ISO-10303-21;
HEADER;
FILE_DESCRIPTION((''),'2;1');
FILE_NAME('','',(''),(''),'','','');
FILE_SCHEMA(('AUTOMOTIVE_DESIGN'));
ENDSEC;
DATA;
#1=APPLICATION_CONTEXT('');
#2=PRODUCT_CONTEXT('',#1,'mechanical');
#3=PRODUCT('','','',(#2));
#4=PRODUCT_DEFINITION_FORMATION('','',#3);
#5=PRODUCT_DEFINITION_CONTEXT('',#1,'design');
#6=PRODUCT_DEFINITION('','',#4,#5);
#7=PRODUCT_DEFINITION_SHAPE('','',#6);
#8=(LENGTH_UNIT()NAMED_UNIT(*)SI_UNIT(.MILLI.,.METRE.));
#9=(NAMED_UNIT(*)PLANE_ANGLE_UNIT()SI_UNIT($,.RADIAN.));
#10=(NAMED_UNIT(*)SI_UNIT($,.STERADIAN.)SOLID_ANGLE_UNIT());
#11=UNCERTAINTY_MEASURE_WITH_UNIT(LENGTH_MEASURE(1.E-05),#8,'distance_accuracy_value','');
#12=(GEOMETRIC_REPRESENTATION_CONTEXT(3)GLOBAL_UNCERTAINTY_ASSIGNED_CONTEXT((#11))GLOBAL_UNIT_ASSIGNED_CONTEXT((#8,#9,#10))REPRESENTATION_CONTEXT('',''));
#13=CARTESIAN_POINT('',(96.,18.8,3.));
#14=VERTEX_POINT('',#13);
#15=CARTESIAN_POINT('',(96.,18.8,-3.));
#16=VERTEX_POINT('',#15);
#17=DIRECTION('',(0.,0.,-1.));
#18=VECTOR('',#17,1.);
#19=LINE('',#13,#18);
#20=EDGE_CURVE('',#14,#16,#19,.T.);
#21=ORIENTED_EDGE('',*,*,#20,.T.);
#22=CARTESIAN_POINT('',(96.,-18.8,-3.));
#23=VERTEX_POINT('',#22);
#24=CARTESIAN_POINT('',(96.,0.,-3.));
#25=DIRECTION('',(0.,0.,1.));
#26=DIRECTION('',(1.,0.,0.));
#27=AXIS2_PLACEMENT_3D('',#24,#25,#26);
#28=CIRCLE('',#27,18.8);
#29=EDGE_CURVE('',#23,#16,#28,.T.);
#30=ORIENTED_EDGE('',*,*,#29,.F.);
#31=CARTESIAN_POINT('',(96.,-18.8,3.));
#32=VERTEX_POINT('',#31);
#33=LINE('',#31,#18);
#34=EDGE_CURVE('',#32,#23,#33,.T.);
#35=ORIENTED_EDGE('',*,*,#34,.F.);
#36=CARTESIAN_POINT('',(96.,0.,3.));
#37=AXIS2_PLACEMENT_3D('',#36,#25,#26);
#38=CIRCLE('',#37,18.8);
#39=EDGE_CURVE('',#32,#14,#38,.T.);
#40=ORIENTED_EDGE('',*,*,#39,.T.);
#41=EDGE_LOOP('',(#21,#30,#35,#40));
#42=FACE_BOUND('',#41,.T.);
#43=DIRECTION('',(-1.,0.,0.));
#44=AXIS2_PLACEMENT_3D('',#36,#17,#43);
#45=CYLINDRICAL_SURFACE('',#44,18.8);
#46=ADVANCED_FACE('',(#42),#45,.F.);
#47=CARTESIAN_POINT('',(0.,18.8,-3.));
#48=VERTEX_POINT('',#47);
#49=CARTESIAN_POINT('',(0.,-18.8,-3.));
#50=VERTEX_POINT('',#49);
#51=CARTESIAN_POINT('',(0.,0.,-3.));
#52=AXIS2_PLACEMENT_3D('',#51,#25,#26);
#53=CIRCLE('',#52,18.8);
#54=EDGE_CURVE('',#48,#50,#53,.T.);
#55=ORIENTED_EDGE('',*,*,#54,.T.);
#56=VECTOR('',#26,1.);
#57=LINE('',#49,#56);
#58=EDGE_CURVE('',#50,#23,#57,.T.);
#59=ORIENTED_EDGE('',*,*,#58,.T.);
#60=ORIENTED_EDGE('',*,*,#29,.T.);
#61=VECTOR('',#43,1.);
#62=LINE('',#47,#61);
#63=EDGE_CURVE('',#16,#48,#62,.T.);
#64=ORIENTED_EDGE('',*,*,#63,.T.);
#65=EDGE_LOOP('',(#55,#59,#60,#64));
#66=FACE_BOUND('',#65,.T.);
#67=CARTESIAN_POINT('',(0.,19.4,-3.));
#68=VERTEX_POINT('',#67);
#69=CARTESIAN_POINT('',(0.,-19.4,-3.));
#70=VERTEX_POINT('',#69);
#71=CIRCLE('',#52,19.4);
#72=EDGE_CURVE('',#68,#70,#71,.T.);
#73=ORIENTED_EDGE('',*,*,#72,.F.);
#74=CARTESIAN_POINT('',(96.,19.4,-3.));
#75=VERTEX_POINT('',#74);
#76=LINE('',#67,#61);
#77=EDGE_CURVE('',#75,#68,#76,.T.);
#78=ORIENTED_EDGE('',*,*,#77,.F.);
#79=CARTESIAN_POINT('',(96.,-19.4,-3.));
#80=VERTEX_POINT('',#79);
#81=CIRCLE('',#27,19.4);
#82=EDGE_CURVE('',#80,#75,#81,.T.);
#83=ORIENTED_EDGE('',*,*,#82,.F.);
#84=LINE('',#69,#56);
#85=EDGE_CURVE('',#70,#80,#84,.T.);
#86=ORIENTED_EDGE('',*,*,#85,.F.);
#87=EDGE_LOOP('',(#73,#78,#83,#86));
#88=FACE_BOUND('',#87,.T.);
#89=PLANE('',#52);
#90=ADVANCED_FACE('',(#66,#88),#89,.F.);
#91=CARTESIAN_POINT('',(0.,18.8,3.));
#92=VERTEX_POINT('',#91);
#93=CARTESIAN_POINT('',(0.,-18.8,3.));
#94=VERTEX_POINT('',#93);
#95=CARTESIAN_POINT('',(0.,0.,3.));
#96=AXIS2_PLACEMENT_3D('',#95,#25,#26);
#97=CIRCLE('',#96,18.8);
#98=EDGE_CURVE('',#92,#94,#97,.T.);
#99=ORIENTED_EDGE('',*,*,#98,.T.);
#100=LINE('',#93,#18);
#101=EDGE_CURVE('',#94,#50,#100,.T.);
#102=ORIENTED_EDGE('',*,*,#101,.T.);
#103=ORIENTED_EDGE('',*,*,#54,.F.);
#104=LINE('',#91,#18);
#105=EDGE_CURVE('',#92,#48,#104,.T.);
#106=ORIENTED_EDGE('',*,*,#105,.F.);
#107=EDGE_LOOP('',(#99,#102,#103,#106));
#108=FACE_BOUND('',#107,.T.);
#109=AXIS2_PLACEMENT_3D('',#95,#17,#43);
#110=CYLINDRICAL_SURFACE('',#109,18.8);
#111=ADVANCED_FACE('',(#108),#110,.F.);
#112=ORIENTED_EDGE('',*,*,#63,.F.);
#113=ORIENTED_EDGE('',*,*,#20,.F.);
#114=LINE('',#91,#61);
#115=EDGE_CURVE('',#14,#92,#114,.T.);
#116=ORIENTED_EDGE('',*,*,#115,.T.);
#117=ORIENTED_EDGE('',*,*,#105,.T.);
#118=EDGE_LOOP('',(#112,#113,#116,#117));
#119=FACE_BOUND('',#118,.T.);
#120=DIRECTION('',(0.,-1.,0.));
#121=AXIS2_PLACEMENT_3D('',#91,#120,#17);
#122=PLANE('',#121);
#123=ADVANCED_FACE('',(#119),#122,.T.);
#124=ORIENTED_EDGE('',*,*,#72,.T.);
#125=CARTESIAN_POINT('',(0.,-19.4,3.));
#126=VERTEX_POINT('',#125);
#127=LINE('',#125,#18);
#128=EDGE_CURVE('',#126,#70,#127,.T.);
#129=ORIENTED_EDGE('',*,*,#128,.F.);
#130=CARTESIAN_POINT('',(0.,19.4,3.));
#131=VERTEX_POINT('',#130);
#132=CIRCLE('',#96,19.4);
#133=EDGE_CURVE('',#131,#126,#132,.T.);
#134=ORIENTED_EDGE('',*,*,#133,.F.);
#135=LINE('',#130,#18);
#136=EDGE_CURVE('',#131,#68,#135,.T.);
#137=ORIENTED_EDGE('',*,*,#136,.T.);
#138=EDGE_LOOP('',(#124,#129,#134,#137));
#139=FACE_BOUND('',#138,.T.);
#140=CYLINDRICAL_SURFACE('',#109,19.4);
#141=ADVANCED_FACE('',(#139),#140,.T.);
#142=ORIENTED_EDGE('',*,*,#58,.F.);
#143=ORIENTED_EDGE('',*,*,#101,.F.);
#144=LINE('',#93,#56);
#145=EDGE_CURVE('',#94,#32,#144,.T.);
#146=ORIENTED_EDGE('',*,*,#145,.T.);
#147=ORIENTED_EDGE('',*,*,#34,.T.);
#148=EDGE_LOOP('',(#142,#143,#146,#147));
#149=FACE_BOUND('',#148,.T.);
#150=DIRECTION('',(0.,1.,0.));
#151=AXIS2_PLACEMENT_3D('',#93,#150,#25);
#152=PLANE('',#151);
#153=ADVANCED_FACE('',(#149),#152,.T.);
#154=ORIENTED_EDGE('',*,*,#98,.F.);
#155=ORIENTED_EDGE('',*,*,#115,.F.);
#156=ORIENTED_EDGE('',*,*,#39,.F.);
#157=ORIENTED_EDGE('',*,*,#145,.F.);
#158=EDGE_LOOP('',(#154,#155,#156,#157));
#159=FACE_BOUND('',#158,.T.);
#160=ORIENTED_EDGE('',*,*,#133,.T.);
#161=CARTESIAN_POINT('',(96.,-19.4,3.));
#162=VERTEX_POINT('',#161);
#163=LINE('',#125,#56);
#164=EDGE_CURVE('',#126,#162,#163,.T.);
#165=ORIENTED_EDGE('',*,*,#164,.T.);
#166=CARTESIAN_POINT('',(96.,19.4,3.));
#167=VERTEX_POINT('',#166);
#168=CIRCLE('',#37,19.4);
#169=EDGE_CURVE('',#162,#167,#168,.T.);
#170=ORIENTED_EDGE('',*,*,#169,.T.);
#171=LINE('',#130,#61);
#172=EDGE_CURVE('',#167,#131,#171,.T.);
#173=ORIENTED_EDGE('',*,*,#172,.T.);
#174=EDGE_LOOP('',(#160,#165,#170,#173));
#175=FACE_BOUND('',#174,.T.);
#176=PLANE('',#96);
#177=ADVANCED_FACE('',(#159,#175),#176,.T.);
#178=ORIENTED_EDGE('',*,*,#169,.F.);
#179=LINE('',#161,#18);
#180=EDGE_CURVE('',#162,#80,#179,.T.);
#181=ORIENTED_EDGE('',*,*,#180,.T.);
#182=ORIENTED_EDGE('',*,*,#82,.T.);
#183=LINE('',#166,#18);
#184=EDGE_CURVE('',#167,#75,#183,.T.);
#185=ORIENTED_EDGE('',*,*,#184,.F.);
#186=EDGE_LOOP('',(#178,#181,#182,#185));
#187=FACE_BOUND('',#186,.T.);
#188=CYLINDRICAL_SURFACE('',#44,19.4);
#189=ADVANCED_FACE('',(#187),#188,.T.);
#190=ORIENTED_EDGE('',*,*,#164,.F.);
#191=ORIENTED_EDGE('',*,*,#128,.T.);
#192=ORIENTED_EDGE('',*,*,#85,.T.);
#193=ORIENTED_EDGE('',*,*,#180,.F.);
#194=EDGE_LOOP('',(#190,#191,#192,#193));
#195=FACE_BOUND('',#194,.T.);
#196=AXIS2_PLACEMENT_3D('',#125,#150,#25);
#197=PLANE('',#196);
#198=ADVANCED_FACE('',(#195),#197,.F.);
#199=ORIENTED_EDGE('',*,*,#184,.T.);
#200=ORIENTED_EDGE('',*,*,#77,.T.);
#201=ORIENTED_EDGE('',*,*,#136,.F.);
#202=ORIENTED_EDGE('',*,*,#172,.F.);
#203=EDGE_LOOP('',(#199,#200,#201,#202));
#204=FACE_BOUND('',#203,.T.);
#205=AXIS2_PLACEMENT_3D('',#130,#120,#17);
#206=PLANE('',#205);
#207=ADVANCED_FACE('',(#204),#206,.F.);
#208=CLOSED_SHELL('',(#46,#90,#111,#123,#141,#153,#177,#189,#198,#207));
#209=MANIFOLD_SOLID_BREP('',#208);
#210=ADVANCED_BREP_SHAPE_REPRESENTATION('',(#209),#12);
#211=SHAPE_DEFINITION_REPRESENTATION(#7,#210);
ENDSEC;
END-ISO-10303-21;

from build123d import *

# Parameters (mm, degrees)
BOSS_EXTRUDE1_DEPTH = 3


with BuildPart() as part:
    # Sketch1 → Boss-Extrude1 (new, symmetric)
    with BuildSketch(Plane.XY):
        with BuildLine():
            Line((0, -19.4), (96, -19.4))
            ThreePointArc((96, -19.4), (115.4, 0), (96, 19.4))
            Line((96, 19.4), (0, 19.4))
            ThreePointArc((0, 19.4), (-19.4, 0), (0, -19.4))
        make_face()
        with BuildLine():
            Line((0, 18.8), (96, 18.8))
            ThreePointArc((96, 18.8), (114.8, 0), (96, -18.8))
            Line((96, -18.8), (0, -18.8))
            ThreePointArc((0, -18.8), (-18.8, 0), (0, 18.8))
        make_face(mode=Mode.SUBTRACT)
    extrude(amount=BOSS_EXTRUDE1_DEPTH, both=True)


solid = part.part
